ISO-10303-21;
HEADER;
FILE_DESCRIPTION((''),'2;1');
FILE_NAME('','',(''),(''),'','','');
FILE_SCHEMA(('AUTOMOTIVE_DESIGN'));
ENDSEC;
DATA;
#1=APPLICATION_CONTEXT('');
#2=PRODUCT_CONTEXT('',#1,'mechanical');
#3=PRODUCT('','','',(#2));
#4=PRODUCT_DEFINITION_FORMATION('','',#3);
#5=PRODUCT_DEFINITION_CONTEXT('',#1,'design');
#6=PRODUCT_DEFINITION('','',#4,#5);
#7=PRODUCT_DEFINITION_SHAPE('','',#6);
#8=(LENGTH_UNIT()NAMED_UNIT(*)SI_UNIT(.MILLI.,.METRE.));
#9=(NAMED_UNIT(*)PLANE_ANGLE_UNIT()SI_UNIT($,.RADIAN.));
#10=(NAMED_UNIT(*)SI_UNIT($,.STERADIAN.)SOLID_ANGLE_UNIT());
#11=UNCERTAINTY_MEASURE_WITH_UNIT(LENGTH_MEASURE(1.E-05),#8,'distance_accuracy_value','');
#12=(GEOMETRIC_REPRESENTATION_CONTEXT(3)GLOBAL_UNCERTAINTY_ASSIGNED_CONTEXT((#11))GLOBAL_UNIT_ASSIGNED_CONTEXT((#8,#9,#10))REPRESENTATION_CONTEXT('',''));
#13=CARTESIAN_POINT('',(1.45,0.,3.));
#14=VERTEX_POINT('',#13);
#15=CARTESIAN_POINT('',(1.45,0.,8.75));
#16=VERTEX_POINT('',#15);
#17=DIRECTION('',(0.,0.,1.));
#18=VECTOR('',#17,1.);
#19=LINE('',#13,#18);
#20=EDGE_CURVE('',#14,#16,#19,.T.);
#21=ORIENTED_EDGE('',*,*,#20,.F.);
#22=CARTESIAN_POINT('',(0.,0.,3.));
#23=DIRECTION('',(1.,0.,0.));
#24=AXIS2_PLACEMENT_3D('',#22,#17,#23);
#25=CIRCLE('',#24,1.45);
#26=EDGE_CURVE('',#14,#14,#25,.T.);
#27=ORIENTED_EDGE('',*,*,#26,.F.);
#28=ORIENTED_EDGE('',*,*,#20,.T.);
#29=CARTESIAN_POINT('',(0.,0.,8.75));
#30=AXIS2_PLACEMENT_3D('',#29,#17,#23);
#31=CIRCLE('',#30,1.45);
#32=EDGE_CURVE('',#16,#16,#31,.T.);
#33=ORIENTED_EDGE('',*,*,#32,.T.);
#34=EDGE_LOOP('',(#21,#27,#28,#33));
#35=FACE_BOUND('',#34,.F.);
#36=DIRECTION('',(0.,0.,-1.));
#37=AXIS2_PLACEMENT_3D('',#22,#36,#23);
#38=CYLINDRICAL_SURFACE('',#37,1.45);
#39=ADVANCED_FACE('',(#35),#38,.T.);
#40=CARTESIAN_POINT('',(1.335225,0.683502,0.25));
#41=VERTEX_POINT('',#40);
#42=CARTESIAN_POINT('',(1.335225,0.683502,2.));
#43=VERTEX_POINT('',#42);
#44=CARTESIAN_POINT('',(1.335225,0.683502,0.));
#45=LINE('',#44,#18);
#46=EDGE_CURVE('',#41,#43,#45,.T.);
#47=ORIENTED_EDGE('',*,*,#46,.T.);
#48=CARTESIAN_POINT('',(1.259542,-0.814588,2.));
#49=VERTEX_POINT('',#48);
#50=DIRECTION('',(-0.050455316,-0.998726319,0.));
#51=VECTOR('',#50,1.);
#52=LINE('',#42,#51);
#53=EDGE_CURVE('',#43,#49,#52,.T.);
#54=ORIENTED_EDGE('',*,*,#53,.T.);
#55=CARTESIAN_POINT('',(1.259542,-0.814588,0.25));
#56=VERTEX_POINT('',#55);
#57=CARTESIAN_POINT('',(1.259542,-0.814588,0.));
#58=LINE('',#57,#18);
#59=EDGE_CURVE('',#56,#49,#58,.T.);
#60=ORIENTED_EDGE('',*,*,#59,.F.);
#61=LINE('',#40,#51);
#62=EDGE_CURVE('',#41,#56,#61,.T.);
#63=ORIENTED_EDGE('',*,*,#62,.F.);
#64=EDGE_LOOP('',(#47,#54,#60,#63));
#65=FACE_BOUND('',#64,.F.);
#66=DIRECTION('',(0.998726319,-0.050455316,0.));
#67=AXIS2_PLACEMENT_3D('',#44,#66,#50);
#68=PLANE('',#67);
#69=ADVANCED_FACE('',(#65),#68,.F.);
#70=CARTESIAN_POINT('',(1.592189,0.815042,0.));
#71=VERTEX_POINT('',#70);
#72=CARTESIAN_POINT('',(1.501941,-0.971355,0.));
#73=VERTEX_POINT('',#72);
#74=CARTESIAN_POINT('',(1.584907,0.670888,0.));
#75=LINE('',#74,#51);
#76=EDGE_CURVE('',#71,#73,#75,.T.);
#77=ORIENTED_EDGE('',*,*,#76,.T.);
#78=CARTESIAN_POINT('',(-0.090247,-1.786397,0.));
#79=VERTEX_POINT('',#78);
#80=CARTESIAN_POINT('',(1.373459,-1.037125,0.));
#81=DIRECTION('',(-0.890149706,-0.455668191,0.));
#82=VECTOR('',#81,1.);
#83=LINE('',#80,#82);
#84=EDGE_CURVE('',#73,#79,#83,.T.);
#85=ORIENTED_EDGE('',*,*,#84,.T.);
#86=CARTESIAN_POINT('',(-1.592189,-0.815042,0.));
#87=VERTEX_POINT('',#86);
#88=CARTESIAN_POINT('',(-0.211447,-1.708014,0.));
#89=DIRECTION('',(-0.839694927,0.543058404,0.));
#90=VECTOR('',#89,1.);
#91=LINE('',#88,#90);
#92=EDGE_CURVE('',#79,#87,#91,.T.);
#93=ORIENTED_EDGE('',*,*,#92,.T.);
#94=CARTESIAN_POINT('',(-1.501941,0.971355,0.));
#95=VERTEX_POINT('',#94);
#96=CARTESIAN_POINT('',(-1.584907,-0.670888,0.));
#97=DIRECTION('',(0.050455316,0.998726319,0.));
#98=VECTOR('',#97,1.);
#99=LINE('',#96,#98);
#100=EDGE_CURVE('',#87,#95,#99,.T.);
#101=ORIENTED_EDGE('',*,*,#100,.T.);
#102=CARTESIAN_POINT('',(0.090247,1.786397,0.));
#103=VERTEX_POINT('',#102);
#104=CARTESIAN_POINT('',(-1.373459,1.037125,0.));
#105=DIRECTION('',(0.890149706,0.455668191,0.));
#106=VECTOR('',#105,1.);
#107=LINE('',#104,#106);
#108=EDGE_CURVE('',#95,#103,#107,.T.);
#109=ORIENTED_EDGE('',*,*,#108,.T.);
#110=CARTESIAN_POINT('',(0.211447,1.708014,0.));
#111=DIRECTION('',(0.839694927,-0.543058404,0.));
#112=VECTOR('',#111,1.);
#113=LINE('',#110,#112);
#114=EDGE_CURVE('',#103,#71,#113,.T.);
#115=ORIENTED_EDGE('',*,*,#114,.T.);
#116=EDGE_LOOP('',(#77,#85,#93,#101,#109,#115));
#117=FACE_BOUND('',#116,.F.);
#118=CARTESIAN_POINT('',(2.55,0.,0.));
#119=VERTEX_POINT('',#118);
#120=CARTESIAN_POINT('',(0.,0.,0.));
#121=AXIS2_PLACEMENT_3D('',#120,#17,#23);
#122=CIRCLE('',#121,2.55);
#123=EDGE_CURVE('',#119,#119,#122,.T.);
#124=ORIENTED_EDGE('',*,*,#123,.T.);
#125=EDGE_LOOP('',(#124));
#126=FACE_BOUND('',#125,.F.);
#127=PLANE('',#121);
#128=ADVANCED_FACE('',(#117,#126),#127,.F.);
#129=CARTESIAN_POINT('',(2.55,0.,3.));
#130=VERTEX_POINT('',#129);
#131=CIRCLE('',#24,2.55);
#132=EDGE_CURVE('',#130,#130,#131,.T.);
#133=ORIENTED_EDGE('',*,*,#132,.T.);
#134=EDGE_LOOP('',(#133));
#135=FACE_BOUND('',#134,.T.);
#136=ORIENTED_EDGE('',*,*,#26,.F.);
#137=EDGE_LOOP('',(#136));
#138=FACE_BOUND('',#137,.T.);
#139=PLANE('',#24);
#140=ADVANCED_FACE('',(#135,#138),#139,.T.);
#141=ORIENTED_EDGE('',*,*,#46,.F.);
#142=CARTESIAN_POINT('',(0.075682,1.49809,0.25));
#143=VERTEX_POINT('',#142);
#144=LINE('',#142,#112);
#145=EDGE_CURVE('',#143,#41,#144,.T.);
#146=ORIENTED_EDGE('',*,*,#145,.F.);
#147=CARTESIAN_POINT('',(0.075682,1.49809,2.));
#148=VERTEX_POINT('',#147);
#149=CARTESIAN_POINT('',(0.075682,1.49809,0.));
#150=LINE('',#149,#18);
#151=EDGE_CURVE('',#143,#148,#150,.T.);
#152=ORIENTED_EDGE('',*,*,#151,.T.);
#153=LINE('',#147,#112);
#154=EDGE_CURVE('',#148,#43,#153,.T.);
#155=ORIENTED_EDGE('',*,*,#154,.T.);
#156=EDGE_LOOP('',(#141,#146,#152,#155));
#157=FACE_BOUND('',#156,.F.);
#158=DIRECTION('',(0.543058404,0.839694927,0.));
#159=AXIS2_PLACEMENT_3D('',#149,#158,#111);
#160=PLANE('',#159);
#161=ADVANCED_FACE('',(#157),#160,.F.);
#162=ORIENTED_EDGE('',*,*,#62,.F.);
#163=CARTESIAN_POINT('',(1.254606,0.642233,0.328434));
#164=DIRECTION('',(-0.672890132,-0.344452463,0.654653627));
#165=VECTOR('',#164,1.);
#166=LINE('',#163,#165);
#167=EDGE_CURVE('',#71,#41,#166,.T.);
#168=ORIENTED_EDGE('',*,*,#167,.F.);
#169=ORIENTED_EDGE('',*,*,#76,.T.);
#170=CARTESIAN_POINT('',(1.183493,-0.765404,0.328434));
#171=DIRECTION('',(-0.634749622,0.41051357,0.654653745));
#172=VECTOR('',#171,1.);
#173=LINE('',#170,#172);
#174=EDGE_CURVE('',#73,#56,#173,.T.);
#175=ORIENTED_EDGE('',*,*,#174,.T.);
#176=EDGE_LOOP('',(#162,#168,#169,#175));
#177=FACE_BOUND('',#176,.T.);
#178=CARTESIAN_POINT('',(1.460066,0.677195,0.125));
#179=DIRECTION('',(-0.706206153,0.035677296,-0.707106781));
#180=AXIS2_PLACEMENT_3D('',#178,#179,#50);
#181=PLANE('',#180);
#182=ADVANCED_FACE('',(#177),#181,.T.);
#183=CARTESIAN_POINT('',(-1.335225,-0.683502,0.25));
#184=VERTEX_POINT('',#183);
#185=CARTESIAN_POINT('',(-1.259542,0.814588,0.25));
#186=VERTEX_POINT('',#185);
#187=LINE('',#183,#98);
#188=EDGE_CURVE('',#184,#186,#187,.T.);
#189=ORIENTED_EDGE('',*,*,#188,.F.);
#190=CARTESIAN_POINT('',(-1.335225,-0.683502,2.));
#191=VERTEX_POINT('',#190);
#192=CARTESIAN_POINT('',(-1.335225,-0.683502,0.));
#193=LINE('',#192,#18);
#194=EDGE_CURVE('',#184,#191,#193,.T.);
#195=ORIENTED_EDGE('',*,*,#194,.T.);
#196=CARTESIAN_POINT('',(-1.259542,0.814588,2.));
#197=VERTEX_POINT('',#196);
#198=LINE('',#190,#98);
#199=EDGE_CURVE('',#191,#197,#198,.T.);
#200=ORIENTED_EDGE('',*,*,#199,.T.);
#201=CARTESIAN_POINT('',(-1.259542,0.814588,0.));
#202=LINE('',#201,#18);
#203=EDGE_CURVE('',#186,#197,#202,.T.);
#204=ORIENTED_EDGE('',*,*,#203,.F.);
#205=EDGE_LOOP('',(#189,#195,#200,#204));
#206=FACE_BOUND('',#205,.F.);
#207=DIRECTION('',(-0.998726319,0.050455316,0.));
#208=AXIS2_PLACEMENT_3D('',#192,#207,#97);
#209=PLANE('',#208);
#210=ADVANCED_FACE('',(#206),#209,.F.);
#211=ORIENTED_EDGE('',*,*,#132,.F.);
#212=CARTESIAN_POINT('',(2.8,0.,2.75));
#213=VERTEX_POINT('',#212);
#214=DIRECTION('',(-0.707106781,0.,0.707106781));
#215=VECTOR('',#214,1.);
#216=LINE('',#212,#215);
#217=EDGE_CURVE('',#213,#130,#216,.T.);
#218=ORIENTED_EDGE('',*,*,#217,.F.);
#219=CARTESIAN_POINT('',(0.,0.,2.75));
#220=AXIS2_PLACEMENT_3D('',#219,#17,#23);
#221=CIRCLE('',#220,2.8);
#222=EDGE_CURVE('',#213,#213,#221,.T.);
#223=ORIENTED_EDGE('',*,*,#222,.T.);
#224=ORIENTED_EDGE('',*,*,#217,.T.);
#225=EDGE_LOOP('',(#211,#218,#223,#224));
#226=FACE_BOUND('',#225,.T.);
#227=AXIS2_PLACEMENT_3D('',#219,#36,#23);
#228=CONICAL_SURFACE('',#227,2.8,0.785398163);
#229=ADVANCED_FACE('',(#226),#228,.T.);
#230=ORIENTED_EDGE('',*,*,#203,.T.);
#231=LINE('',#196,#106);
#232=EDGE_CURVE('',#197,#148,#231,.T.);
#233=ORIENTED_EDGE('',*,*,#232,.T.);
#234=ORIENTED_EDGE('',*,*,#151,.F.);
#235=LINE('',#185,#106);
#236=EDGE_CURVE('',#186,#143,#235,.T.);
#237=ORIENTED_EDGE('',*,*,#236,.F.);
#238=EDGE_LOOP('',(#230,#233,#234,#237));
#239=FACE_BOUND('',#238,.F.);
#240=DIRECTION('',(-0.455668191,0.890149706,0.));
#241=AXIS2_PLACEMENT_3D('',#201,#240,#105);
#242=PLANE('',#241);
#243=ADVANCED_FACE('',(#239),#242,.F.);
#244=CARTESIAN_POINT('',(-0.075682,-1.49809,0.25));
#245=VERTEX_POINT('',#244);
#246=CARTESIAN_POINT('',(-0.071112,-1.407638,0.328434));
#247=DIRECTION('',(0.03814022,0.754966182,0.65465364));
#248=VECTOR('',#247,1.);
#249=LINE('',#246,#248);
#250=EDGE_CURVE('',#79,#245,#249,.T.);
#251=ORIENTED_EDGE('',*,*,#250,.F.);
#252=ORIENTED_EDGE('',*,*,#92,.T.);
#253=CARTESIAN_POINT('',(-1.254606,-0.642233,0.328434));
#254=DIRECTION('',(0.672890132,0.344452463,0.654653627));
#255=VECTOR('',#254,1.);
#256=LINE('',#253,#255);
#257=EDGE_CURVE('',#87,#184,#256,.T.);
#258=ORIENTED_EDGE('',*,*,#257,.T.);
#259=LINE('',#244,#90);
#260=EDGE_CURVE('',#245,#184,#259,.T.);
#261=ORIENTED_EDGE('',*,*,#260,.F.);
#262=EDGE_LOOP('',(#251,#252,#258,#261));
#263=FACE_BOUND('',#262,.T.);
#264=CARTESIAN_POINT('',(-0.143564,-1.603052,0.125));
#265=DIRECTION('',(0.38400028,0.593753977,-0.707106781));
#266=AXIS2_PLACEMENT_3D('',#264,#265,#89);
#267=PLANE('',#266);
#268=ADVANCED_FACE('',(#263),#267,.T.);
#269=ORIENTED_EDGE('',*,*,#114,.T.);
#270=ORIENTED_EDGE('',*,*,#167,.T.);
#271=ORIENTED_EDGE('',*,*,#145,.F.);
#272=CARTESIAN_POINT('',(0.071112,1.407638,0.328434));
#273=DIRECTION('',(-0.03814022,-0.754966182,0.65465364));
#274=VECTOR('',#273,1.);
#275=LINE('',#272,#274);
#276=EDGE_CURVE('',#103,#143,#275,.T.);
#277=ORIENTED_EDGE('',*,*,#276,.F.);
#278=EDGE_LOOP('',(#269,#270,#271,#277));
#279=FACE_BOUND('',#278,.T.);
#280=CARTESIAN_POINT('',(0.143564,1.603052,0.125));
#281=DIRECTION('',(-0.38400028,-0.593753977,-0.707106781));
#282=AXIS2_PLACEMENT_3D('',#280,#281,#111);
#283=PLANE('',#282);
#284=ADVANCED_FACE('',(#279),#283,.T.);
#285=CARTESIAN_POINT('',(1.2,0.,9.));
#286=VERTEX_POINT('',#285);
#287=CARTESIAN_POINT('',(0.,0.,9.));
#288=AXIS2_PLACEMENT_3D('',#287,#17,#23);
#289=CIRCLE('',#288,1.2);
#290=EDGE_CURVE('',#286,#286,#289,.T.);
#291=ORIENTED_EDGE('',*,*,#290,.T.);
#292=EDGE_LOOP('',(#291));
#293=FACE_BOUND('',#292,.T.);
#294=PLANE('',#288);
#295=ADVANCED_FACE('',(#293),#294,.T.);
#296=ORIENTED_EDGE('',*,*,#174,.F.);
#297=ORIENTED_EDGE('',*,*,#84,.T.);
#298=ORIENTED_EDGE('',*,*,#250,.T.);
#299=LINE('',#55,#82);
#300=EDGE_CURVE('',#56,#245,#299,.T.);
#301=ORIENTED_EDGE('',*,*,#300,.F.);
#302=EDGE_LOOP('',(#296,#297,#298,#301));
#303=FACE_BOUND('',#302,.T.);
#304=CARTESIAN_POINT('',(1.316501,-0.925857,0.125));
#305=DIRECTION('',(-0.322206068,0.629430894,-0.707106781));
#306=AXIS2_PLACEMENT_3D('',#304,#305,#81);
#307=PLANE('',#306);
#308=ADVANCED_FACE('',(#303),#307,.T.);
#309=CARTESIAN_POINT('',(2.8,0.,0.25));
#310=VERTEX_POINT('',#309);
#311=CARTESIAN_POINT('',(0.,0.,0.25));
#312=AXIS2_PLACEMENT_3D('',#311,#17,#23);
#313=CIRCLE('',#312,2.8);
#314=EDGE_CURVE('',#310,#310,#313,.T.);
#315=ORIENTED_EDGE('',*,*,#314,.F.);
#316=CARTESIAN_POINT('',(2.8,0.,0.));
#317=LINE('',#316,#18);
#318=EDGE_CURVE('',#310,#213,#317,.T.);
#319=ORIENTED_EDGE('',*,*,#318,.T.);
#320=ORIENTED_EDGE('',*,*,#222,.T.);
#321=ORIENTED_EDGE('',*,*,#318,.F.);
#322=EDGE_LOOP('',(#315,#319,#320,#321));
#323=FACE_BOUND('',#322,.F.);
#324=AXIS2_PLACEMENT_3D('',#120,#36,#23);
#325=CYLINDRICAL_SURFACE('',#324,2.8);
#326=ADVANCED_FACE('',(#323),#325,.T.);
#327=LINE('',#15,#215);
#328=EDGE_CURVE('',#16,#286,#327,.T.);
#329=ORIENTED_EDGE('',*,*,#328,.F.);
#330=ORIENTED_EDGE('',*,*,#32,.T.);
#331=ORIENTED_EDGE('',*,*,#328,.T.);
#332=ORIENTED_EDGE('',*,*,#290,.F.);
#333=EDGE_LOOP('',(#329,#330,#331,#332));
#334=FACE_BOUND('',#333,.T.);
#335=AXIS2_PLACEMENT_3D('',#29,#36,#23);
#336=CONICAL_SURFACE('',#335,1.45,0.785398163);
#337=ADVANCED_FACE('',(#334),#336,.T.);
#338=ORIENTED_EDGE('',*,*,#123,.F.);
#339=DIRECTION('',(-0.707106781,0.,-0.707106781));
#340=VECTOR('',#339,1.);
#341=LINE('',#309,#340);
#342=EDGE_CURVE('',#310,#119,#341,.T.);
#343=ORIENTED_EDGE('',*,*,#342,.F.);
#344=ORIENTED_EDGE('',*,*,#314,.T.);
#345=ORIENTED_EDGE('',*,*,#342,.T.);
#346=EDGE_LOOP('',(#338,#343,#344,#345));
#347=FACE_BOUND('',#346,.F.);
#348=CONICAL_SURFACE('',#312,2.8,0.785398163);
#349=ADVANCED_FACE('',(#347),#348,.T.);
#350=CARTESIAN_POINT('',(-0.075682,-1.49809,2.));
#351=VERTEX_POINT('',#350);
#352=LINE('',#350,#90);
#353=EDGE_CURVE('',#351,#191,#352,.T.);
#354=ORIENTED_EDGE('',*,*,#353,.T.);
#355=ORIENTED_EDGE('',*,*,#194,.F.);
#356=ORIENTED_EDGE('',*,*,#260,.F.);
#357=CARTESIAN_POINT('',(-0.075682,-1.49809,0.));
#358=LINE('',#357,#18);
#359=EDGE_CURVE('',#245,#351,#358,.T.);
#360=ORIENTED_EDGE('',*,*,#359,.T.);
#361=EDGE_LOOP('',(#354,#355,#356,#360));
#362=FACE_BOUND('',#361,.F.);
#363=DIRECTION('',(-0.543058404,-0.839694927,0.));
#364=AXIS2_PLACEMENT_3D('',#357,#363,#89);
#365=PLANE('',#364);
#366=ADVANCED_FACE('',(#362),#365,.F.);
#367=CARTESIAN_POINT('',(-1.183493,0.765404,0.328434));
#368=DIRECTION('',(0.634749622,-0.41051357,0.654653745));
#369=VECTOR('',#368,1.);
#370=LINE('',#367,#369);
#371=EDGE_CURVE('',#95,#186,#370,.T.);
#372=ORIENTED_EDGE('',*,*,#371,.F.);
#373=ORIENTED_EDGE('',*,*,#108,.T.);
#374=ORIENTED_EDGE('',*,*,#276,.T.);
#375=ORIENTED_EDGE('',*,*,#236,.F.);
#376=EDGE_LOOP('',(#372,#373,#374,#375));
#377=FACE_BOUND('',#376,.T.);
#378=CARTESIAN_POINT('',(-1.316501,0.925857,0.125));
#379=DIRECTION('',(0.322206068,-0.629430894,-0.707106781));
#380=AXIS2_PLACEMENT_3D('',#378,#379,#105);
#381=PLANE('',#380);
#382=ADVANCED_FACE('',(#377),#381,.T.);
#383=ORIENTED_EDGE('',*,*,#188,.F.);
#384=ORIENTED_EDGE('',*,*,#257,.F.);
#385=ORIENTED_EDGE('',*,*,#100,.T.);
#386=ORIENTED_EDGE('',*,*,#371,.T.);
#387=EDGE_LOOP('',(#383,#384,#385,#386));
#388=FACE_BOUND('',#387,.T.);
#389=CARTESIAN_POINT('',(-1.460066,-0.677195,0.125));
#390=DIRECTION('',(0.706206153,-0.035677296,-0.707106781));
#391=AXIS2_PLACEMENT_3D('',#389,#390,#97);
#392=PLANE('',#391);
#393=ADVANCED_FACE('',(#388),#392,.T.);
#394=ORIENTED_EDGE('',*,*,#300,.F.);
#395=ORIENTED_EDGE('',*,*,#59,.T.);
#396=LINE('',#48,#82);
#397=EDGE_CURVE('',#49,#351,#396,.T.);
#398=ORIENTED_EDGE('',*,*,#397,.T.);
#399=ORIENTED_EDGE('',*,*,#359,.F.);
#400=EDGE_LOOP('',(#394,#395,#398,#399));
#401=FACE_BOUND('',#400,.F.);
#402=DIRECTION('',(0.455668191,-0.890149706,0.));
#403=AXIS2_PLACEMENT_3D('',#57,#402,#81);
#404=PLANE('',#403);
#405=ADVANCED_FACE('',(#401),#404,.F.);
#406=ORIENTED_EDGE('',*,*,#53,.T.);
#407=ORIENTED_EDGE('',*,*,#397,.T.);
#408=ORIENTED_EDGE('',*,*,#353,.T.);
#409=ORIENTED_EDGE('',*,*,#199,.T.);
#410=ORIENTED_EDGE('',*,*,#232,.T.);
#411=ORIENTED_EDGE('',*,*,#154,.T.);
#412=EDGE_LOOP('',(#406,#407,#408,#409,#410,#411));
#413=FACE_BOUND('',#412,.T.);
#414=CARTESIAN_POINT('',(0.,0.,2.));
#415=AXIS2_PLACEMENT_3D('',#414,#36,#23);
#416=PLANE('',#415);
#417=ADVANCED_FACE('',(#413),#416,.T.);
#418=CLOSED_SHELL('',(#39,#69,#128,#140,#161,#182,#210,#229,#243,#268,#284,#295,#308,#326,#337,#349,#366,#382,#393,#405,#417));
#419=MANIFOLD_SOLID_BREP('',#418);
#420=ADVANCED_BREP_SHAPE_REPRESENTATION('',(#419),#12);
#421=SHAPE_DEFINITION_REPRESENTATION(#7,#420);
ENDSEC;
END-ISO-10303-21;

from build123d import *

# Parameters (mm, degrees)
SKETCH_R     = 2.8
PAD_DEPTH    = 3
SKETCH001_R  = 1.45
PAD001_DEPTH = 6
POCKET_DEPTH = 2
CHAMFER_SIZE = 0.25


with BuildPart() as part:
    # Sketch → Pad (new body)
    with BuildSketch(Plane.XY):
        Circle(SKETCH_R)
    extrude(amount=PAD_DEPTH)

    # Sketch001 (on Face3 of Pad) → Pad001 (join)
    with BuildSketch(Plane.XY.offset(3)):
        Circle(SKETCH001_R)
    extrude(amount=PAD001_DEPTH)

    # Sketch002 (on Face2 of Pad001) → Pocket (cut)
    with BuildSketch(Plane(origin=(0, 0, 0), x_dir=(1, 0, 0), z_dir=(0, 0, -1))):
        Polygon((1.259542, 0.814588), (-0.075682, 1.49809), (-1.335225, 0.683502), (-1.259542, -0.814588), (0.075682, -1.49809), (1.335225, -0.683502), align=None)
    extrude(amount=-POCKET_DEPTH, mode=Mode.SUBTRACT)

    # Chamfer
    chamfer_edges = [part.edges().sort_by_distance(p)[0] for p in [
        (-2.8, 0, 3),
        (-2.8, 0, 0),
        (1.297384, -0.065543, 0),
        (0.705454, 1.090796, 0),
        (-0.59193, 1.156339, 0),
        (-1.297384, 0.065543, 0),
        (-0.705454, -1.090796, 0),
        (0.59193, -1.156339, 0),
        (-1.45, 0, 9),
    ]]
    chamfer(chamfer_edges, length=CHAMFER_SIZE)


solid = part.part
